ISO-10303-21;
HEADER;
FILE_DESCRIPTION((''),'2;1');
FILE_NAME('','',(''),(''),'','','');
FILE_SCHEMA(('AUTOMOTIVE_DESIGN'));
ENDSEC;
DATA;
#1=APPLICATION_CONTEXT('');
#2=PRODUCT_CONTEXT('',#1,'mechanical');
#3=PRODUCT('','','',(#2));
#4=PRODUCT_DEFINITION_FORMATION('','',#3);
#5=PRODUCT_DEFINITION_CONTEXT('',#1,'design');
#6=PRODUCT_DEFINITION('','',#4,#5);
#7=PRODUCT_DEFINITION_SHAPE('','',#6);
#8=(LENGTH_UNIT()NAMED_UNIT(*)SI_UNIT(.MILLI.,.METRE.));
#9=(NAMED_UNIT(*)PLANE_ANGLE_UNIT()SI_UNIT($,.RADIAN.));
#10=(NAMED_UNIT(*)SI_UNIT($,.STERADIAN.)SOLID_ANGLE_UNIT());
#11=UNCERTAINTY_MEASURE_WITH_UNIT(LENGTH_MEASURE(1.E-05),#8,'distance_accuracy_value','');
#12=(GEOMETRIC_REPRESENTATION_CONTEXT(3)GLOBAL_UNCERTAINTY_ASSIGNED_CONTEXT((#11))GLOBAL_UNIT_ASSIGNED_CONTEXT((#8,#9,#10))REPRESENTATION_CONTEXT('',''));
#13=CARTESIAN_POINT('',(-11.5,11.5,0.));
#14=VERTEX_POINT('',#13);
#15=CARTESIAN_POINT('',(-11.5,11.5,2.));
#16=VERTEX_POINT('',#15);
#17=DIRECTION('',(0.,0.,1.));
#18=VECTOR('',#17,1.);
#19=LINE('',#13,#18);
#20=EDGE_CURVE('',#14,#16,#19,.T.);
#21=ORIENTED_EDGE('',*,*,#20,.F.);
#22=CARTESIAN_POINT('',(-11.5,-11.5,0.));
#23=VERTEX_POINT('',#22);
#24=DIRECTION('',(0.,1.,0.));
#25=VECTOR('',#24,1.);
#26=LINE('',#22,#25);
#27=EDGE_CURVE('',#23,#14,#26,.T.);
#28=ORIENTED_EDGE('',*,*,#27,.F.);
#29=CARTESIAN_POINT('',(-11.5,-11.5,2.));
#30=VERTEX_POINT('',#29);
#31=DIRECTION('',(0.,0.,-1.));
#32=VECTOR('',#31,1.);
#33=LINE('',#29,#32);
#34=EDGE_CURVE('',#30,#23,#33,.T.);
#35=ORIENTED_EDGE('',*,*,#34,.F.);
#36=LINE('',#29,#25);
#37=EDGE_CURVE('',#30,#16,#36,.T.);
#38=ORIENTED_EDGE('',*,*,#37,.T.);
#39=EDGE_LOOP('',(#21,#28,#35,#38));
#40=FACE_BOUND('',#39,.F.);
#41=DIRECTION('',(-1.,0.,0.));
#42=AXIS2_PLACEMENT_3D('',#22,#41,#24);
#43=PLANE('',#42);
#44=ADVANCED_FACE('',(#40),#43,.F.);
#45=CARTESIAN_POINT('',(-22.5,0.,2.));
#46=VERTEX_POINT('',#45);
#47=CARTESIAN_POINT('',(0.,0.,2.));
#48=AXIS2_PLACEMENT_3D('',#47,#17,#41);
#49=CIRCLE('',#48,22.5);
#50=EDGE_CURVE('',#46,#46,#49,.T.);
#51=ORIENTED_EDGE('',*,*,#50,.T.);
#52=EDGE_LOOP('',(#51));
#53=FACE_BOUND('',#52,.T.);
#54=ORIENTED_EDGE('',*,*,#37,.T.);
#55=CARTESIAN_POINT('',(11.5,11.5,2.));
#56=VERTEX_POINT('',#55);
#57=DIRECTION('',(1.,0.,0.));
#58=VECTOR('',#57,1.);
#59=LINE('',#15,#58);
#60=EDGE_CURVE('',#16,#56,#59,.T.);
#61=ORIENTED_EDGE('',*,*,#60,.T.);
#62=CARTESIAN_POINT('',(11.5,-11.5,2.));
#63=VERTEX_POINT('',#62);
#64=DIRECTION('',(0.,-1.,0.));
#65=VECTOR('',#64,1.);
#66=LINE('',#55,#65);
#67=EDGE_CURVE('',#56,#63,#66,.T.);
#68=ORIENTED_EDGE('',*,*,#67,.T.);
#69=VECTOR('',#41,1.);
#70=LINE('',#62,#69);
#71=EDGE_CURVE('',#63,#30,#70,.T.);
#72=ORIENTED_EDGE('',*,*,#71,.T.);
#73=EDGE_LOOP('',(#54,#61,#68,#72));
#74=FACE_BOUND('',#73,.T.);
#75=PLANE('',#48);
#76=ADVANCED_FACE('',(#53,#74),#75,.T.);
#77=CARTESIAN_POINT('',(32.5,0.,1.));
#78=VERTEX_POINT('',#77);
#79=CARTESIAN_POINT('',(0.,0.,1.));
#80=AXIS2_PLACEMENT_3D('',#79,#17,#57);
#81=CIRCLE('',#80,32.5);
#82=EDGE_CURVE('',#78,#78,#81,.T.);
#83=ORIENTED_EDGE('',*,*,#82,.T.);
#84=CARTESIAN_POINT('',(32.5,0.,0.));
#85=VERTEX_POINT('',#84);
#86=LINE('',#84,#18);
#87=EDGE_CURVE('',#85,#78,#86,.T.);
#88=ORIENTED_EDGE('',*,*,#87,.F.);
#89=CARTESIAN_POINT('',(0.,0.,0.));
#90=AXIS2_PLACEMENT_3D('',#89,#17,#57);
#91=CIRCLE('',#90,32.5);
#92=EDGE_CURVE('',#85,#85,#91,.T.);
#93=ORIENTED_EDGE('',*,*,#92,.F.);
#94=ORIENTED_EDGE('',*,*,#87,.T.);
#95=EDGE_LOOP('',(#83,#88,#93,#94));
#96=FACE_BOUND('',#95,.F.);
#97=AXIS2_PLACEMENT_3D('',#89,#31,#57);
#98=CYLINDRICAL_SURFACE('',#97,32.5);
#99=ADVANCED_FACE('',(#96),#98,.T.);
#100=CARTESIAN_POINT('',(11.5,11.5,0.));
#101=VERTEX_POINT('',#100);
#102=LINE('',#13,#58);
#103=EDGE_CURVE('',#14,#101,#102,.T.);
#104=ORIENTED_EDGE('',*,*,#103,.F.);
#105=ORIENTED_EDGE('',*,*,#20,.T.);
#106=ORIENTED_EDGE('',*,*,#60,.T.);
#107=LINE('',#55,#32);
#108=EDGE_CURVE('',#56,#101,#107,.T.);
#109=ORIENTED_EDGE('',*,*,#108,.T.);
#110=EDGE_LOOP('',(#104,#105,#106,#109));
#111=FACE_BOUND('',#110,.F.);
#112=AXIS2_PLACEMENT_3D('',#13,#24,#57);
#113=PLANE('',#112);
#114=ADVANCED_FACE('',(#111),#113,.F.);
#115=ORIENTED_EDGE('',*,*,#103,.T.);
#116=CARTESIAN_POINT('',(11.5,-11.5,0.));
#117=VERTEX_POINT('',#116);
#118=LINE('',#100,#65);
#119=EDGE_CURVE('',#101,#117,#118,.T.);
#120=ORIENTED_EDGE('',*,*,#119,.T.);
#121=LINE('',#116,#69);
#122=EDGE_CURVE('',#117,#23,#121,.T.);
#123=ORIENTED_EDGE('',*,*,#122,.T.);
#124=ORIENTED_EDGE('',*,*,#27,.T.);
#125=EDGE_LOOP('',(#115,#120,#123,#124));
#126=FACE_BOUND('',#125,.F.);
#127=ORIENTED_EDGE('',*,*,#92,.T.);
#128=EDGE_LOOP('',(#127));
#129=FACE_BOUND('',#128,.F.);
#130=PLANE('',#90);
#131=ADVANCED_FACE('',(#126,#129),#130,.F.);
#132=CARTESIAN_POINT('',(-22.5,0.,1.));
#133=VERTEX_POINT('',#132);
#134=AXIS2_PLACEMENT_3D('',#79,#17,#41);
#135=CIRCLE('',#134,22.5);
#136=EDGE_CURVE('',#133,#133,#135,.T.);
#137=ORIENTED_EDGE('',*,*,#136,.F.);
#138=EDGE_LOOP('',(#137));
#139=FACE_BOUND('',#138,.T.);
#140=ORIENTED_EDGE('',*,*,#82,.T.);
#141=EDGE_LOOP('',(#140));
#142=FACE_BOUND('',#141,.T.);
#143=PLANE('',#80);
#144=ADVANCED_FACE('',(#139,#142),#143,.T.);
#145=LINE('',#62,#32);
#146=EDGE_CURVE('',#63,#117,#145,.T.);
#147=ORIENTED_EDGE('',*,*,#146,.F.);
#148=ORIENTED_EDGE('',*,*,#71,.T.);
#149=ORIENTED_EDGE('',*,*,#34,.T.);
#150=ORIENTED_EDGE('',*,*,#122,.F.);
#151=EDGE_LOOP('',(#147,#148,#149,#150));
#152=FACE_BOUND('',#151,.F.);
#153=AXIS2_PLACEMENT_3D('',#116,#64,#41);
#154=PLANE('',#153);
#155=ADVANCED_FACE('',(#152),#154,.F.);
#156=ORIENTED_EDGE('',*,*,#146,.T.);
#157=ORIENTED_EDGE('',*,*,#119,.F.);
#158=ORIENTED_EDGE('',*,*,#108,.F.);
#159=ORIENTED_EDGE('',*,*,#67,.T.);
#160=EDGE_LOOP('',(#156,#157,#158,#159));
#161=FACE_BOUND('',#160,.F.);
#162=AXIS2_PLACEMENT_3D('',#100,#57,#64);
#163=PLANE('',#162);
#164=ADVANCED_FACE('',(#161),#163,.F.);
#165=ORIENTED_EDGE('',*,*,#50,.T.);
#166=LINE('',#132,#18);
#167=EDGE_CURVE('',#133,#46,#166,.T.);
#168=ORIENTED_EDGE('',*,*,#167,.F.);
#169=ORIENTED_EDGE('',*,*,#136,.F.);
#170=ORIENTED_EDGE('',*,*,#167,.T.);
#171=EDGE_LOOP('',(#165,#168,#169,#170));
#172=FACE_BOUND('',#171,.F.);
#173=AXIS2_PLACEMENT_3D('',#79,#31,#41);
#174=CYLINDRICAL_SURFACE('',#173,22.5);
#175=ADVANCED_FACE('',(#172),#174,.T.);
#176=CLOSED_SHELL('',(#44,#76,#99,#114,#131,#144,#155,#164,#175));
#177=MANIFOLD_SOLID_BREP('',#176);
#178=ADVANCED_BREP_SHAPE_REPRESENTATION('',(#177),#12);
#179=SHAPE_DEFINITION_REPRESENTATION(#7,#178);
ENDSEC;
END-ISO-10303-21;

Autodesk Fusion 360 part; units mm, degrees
sketch "Sketch1" plane through (0, 0, 0) normal (0, 0, 1) x (1, 0, 0)
  circle A0 centre (0, 0) radius 32.5
  line L0 (-11.5, 11.5) -> (11.5, 11.5)
  line L1 (11.5, 11.5) -> (11.5, -11.5)
  line L2 (11.5, -11.5) -> (-11.5, -11.5)
  line L3 (-11.5, -11.5) -> (-11.5, 11.5)
  point P0 (11.5, 0)
  point P1 (0, 11.5)
  dimension "d1" = 65
  dimension "d2" = 23
extrude "Extrude1" add sketch "Sketch1" along normal blind 1
sketch "Sketch2" plane through (0, 0, 1) normal (0, 0, 1) x (-1, 0, 0)
  line L0 (-11.5, 11.5) -> (11.5, 11.5)
  line L1 (11.5, 11.5) -> (11.5, -11.5)
  line L2 (11.5, -11.5) -> (-11.5, -11.5)
  line L3 (-11.5, -11.5) -> (-11.5, 11.5)
  circle A0 centre (0, 0) radius 32.5
  line L4 (11.5, -11.5) -> (-11.5, -11.5)
  line L5 (-11.5, -11.5) -> (-11.5, 11.5)
  line L6 (-11.5, 11.5) -> (11.5, 11.5)
  line L7 (11.5, 11.5) -> (11.5, -11.5)
  circle A1 centre (0, 0) radius 22.5
  dimension "d5" = 45
extrude "Extrude2" add sketch "Sketch2" along normal blind 1 contours A1
